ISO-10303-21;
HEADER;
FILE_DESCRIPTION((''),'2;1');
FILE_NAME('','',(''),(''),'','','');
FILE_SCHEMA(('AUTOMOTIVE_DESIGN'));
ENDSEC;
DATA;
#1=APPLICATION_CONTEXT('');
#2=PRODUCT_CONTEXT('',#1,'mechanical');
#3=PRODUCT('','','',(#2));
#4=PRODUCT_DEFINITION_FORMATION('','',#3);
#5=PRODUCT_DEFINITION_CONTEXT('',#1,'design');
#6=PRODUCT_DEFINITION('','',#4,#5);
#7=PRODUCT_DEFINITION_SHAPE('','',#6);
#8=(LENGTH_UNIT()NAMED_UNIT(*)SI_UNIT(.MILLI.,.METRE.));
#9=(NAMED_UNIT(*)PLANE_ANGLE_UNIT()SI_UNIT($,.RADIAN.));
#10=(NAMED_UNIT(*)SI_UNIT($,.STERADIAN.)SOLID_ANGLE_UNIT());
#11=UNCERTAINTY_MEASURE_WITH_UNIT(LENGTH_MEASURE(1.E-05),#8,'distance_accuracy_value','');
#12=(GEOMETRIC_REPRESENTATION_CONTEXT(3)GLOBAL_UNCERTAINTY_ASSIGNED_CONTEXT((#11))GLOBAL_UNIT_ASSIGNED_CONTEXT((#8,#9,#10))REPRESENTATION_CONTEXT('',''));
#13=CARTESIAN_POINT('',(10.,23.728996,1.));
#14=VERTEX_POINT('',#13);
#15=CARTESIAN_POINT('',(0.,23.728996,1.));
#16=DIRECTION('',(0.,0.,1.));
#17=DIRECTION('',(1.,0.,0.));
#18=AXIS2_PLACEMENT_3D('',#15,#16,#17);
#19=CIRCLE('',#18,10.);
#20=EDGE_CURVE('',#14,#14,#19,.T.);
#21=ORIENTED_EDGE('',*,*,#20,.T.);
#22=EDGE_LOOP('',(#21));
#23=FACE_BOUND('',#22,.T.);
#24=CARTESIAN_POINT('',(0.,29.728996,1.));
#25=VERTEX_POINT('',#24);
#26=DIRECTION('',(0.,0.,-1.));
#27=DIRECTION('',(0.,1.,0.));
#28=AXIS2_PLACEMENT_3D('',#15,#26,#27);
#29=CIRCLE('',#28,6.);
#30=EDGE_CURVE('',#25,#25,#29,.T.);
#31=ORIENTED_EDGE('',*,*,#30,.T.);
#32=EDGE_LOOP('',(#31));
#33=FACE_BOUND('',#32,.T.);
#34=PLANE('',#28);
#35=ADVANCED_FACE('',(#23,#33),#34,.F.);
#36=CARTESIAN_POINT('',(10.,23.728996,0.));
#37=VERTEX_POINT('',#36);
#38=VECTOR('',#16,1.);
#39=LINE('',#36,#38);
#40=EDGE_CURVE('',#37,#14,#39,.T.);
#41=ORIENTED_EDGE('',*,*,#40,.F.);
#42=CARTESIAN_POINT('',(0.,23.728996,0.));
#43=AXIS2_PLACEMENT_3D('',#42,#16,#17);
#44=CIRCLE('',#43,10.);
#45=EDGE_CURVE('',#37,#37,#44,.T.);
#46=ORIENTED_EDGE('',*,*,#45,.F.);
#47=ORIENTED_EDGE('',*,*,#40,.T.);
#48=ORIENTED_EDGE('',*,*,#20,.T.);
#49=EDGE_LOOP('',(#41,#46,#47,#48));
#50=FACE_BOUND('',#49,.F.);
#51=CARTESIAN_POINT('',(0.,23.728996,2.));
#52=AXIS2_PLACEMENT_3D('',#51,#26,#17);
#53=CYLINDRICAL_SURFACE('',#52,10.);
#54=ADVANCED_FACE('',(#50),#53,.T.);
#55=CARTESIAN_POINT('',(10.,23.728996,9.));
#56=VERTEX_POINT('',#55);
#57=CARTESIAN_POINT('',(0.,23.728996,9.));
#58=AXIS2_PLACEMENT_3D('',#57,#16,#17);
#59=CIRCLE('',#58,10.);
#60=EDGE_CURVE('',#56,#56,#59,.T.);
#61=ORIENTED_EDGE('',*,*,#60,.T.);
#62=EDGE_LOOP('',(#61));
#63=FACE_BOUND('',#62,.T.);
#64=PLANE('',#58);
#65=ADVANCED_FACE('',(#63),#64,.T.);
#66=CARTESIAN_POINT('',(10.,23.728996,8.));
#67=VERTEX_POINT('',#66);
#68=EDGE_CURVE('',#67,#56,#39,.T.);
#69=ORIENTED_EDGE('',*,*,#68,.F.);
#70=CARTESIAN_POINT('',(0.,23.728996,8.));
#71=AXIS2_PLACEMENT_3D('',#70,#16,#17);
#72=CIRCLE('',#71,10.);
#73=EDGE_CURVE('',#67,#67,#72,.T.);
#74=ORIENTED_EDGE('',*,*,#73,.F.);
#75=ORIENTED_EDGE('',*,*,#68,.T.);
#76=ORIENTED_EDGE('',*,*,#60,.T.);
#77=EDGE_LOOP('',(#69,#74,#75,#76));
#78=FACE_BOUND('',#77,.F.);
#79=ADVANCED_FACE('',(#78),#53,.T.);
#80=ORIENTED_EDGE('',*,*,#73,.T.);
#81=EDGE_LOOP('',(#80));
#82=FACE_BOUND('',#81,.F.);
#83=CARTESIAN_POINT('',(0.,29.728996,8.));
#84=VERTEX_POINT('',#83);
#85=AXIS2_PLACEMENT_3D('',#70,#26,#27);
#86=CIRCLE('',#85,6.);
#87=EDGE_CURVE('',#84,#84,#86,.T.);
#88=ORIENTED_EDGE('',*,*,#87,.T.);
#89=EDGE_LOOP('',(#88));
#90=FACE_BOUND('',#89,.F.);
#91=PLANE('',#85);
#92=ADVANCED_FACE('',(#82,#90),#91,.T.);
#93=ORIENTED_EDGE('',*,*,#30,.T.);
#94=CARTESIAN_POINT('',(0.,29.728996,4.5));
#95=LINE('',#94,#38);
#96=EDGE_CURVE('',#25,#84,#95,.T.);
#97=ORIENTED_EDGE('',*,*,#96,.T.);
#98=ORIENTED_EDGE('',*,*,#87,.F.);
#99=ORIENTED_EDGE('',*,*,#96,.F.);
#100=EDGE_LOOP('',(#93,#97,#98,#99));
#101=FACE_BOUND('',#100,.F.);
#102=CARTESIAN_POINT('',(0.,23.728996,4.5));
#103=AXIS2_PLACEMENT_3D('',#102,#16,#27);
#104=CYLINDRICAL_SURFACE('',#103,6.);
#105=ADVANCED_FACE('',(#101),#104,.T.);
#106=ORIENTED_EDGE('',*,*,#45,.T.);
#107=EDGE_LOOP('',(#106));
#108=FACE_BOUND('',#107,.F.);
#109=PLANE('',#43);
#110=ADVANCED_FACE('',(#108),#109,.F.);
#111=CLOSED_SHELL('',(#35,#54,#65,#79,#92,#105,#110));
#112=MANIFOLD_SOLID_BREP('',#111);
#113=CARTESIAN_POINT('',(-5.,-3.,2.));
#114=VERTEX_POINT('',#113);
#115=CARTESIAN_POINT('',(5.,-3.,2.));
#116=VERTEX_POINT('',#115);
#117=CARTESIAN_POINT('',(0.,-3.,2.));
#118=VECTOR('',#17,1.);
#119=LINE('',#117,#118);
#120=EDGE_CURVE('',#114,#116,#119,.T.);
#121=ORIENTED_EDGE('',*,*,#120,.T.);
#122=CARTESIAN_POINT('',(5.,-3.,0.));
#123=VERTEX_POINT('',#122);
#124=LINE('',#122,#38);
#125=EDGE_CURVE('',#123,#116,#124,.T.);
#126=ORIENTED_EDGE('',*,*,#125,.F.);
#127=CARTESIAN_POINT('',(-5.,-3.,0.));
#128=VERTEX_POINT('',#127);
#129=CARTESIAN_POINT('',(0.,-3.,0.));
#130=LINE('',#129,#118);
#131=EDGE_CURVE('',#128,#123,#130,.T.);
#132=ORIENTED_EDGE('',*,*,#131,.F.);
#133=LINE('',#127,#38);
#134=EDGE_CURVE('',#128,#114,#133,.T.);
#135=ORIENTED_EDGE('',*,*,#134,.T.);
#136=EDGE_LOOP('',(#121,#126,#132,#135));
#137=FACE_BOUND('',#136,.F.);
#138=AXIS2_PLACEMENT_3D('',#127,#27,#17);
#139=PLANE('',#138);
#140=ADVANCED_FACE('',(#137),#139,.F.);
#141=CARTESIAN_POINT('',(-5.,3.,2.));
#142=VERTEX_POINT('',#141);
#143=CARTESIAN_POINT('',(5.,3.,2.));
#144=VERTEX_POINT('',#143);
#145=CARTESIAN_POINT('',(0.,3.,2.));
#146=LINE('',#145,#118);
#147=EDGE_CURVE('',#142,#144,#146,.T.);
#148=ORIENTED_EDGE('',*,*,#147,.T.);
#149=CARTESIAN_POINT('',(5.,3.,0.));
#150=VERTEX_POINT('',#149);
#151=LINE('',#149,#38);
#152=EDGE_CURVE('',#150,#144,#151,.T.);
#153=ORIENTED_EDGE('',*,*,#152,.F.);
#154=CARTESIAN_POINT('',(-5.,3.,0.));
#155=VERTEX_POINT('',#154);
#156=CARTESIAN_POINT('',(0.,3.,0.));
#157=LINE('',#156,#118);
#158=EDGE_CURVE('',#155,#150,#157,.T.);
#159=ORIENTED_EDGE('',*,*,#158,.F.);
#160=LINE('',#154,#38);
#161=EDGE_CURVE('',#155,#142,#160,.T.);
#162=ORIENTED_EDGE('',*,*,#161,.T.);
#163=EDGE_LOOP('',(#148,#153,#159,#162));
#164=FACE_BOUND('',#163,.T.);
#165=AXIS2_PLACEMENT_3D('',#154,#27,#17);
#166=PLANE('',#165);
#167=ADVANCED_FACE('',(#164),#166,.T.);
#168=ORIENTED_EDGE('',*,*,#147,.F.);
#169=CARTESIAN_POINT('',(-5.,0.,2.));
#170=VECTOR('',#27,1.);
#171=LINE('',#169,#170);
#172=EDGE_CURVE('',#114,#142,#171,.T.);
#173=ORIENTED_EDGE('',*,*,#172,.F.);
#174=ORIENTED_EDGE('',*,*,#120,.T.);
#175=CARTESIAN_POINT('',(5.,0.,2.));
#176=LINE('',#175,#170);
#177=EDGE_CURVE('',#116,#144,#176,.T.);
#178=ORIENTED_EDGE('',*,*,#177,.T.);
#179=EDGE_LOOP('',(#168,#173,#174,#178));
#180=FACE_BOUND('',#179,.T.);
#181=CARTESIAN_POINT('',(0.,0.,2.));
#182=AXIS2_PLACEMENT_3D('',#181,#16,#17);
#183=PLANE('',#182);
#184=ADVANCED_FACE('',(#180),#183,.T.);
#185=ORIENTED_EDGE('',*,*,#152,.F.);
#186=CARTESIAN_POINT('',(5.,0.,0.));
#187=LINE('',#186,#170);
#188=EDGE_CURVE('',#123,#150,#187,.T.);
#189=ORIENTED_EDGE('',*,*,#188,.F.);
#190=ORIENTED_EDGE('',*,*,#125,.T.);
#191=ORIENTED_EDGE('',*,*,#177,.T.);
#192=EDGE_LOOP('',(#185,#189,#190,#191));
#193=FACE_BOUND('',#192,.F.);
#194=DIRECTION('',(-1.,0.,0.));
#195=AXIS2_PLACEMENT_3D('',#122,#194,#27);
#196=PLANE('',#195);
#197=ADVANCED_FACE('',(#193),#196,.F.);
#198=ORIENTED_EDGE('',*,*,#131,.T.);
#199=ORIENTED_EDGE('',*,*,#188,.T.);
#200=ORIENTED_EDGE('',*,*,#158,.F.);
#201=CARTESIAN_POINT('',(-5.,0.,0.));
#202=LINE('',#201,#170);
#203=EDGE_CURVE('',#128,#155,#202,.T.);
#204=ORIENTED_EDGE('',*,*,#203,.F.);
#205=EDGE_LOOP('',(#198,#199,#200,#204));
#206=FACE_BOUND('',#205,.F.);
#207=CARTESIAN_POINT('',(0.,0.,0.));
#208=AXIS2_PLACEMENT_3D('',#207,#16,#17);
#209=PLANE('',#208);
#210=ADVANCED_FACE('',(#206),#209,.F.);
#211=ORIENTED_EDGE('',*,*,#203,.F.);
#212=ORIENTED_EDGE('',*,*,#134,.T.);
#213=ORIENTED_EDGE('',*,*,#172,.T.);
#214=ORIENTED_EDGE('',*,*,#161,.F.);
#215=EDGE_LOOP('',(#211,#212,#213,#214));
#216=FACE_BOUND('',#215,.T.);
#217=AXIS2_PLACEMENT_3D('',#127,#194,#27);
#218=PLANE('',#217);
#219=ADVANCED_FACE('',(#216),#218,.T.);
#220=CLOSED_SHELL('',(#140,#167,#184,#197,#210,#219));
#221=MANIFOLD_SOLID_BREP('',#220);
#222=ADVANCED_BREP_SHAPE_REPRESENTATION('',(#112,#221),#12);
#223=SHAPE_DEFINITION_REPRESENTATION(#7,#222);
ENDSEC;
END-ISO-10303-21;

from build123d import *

# Parameters (mm, degrees)
F0_W      = 10
F0_H      = 6
F0_R      = 10
F1_DEPTH  = 2
F1_FACE_R = 10
F2_DEPTH  = 7
F3_W      = 4
F3_H      = 7


with BuildPart() as f1:
    # F0 (on Top) → F1 (new body)
    with BuildSketch(Plane.XY):
        Rectangle(F0_W, F0_H)
        with Locations((0, 23.728996)):
            Circle(F0_R)
    extrude(amount=F1_DEPTH)

    # F1_face (on face) → F2 (join)
    with BuildSketch(Plane(origin=(0, 23.728996, 2), x_dir=(1, 0, 0), z_dir=(0, 0, 1))):
        Circle(F1_FACE_R)
    extrude(amount=F2_DEPTH)

    # F3 (on Right) → F4 (revolve, cut)
    with BuildSketch(Plane.YZ):
        with Locations((31.728996, 4.5)):
            Rectangle(F3_W, F3_H)
    revolve(axis=Axis((0, 23.728996, 4.5), (0, 0, -1)), mode=Mode.SUBTRACT)


solid = f1.part
